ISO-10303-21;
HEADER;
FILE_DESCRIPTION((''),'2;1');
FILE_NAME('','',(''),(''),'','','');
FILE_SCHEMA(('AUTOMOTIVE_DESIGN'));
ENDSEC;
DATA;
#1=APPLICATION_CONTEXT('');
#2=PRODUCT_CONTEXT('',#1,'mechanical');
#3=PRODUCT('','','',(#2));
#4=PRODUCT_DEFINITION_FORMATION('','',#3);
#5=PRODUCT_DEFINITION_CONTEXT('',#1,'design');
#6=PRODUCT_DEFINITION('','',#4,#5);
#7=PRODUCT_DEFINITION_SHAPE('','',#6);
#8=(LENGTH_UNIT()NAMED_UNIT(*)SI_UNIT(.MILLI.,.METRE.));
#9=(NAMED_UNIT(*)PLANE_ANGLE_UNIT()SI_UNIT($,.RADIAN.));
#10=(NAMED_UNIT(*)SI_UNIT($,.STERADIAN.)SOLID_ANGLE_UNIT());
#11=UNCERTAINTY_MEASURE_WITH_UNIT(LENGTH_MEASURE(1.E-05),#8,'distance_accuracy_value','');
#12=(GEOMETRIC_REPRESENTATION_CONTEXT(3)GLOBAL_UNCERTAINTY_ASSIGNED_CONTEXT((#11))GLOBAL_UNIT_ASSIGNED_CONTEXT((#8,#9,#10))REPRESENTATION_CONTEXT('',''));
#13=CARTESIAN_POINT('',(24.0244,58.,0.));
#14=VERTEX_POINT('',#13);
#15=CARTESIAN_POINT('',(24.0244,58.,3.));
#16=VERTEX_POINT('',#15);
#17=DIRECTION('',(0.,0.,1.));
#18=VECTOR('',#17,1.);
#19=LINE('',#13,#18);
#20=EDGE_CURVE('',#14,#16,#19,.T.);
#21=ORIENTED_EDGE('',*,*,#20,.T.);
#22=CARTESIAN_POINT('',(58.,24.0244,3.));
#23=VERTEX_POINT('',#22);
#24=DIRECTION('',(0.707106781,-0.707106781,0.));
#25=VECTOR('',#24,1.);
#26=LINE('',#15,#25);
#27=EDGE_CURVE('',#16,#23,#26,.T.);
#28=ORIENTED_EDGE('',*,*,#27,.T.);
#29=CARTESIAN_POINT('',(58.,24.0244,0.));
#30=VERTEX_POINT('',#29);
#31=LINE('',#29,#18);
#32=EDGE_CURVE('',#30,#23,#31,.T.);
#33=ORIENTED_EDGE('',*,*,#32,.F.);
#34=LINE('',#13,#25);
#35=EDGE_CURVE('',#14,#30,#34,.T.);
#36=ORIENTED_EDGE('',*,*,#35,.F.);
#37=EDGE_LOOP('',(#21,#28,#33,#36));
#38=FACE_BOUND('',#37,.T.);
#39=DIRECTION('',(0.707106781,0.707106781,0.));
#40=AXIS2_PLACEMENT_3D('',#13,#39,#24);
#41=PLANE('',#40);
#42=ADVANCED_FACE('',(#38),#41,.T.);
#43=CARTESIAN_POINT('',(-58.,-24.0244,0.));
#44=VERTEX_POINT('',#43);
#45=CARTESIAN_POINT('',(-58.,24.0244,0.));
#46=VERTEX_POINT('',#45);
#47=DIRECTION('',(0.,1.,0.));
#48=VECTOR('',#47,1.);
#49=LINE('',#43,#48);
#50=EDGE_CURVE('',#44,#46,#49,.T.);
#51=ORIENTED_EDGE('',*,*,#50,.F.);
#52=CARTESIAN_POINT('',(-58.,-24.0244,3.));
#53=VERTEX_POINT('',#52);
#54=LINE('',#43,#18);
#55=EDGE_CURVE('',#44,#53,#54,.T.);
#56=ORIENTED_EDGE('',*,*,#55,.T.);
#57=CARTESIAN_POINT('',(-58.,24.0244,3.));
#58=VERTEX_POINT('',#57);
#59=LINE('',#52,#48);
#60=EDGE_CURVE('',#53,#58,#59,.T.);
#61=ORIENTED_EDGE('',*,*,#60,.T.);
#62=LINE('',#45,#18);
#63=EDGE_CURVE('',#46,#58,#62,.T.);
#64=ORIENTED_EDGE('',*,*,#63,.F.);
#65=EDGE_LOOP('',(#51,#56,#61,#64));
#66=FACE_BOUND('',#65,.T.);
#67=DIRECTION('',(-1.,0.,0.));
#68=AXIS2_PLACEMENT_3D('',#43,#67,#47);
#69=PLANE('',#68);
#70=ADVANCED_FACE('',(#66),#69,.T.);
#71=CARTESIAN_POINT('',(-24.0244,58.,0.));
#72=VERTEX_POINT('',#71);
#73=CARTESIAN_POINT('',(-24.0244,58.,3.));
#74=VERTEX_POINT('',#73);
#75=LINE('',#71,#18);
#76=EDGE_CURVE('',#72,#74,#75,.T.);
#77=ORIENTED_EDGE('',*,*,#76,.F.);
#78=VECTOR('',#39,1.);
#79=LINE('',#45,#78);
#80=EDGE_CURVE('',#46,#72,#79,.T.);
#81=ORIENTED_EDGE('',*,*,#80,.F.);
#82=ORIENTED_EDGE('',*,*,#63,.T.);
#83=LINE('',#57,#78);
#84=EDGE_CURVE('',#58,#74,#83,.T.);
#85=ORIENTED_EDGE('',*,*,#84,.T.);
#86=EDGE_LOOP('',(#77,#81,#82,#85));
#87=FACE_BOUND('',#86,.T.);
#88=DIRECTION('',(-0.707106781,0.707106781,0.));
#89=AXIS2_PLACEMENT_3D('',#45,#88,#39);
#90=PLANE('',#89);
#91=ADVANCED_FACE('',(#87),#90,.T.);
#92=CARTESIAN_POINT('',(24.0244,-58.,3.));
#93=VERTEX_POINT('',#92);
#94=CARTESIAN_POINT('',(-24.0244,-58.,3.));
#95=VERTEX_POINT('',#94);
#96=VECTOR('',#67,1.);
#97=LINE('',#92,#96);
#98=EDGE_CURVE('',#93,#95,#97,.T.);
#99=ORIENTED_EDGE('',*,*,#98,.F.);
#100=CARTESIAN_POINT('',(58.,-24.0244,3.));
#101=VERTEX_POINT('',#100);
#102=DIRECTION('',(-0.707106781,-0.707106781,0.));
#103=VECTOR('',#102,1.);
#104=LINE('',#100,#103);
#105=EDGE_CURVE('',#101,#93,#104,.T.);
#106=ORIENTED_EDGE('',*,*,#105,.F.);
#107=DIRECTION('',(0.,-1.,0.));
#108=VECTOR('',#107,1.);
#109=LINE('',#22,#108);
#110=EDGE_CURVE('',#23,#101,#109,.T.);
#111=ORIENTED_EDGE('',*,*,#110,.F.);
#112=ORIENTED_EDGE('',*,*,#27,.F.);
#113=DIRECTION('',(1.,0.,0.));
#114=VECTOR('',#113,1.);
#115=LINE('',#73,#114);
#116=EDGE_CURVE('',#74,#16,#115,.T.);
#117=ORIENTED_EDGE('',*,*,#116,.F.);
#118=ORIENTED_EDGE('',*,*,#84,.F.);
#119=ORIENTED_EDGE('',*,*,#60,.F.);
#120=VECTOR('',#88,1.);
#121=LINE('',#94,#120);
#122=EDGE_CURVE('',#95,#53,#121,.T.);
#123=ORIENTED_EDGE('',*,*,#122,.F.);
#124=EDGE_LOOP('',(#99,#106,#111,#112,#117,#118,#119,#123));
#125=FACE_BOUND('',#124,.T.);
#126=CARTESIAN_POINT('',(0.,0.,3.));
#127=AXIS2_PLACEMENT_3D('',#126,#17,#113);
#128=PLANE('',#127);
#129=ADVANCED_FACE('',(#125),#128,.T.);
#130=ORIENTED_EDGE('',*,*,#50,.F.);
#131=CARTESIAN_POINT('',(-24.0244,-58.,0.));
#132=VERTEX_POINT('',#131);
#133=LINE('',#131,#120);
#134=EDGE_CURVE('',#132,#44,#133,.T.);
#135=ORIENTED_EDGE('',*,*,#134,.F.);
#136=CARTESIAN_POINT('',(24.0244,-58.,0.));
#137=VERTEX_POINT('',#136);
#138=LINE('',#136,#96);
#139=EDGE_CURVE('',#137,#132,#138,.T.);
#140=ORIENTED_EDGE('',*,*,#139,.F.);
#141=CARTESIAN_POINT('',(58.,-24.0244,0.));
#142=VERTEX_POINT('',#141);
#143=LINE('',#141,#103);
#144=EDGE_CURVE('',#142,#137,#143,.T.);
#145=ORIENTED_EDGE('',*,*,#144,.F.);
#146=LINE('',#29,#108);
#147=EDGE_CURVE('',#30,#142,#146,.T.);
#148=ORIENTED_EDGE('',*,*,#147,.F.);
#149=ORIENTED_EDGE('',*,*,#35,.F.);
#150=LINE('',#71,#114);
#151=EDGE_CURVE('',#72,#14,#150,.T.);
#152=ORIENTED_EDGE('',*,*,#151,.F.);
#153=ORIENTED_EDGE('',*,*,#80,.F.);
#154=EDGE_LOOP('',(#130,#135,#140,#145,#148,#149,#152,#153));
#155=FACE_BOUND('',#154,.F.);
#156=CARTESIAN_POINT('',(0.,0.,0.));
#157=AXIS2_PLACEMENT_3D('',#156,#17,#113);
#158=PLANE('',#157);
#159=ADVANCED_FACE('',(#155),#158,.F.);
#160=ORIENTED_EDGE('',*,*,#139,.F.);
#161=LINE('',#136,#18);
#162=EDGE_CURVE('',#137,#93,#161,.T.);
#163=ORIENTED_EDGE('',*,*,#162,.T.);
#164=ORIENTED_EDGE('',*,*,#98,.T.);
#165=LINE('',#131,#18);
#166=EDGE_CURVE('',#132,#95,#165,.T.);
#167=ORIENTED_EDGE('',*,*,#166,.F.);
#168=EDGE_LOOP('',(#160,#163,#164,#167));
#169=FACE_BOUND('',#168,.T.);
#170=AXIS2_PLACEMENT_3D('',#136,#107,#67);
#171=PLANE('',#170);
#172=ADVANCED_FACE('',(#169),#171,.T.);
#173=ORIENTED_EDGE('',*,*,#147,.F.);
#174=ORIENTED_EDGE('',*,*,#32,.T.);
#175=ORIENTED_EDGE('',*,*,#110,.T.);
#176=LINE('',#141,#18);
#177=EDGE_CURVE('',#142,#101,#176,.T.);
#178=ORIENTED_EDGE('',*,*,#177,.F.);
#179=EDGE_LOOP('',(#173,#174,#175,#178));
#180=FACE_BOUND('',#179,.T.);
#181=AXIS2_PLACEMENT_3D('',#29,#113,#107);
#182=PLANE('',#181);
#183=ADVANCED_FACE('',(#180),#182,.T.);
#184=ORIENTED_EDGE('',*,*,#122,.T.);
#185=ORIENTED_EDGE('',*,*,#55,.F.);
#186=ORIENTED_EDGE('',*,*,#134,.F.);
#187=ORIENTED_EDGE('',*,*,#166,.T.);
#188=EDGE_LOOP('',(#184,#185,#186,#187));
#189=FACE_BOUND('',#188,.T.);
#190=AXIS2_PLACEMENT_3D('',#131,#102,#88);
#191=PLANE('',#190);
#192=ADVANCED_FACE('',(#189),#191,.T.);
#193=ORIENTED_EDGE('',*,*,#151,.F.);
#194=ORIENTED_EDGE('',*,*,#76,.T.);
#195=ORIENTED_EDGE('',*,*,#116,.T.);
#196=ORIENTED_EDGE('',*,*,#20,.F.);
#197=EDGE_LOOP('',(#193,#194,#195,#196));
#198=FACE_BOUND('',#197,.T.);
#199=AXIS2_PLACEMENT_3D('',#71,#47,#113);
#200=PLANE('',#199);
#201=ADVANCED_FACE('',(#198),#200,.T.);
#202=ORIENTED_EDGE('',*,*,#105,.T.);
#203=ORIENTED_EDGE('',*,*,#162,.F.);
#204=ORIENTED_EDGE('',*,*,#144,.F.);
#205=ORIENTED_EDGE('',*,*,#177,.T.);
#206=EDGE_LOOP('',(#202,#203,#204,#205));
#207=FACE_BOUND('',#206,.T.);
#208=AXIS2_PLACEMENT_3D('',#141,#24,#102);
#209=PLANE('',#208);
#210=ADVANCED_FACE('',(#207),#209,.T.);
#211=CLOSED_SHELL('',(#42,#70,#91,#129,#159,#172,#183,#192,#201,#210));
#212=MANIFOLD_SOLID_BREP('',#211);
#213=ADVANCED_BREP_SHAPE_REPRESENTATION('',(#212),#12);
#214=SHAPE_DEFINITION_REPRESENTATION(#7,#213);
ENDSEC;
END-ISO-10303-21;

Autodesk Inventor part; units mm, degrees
ref_plane "YZ Plane" through (0, 0, 0) normal (1, 0, 0) x (0, 1, 0)
ref_plane "XZ Plane" through (0, 0, 0) normal (0, 1, 0) x (-1, 0, 0)
ref_plane "XY Plane" through (0, 0, 0) normal (0, 0, 1) x (1, 0, 0)
sketch "Sketch1" plane through (0, 0, 0) normal (0, 0, 1) x (1, 0, 0)
  circle A0 centre (0, 0) radius 58 construction
  circle A1 centre (0, 0) radius 105 construction
  line L0 (105, -105) -> (-105, -105)
  line L1 (-105, -105) -> (-105, 105)
  line L2 (-105, 105) -> (105, 105)
  line L3 (105, 105) -> (105, -105)
  line L4 (105, -105) -> (-105, 105) construction
  line L5 (-105, -105) -> (105, 105) construction
  line L6 (43.4924, 105) -> (105, 43.4924)
  line L7 (105, 43.4924) -> (105, -43.4924)
  line L8 (105, -43.4924) -> (43.4924, -105)
  line L9 (43.4924, -105) -> (-43.4924, -105)
  line L10 (-43.4924, -105) -> (-105, -43.4924)
  line L11 (-105, -43.4924) -> (-105, 43.4924)
  line L12 (-105, 43.4924) -> (-43.4924, 105)
  line L13 (-43.4924, 105) -> (43.4924, 105)
  line L14 (24.0244, 58) -> (58, 24.0244)
  line L15 (58, 24.0244) -> (58, -24.0244)
  line L16 (58, -24.0244) -> (24.0244, -58)
  line L17 (24.0244, -58) -> (-24.0244, -58)
  line L18 (-24.0244, -58) -> (-58, -24.0244)
  line L19 (-58, -24.0244) -> (-58, 24.0244)
  line L20 (-58, 24.0244) -> (-24.0244, 58)
  line L21 (-24.0244, 58) -> (24.0244, 58)
  point P0 (0, 105)
  point P1 (-105, 43.4924)
  point P2 (-43.4924, -105)
  point P3 (0, 58)
  dimension "d22" = 116
  dimension "d23" = 210
extrude "Plate1" add sketch "Sketch1" along normal blind 3 contours L14 L15 L16 L17 L18 L19 L20 L21
sketch "Sketch6" plane through (0, 0, 0) normal (0, 0, 1) x (1, 0, 0)
  line L0 (0, 0) -> (0, 85) construction
  circle A0 centre (0, 0) radius 85 construction
  line L1 (0, 0) -> (60.1041, 60.1041) construction
  circle A1 centre (60.1041, 60.1041) radius 9
  dimension "d32" = 18
  dimension "d33" = 170
  dimension "d34" = 45
cut "Cut2" [suppressed]
pattern_circular "Circular Pattern2" [suppressed]
equation "\"d23\" = Flange_D_outer"
equation "\"d32\" = Flange_d_hole_diam"
equation "\"d33\" = Flange_D1_hole_center"
equation "\"d35\" = Thickness"
equation "\"d2\" = Thickness"
equation "\"BendReliefWidth\" = Thickness"
equation "\"BendReliefDepth\" = 0.5 * Thickness"
equation "\"CornerReliefSize\" = 4 * Thickness"
equation "\"MinimumRemnant\" = 2 * Thickness"
equation "\"TransitionRadius\" = BendRadius"
equation "\"JacobiRadiusSize\" = BendRadius"
equation "\"GapSize\" = Thickness"
equation "\"Flange_D_outer\" = 210"
equation "\"Flange_d_hole_diam\" = 18"
equation "\"Flange_D1_hole_center\" = 170"
equation "\"Thickness\" = 3"
equation "\"BendRadius\" = 5"
properties part number "DSB 210 Axis cap" material "Stainless Steel"
